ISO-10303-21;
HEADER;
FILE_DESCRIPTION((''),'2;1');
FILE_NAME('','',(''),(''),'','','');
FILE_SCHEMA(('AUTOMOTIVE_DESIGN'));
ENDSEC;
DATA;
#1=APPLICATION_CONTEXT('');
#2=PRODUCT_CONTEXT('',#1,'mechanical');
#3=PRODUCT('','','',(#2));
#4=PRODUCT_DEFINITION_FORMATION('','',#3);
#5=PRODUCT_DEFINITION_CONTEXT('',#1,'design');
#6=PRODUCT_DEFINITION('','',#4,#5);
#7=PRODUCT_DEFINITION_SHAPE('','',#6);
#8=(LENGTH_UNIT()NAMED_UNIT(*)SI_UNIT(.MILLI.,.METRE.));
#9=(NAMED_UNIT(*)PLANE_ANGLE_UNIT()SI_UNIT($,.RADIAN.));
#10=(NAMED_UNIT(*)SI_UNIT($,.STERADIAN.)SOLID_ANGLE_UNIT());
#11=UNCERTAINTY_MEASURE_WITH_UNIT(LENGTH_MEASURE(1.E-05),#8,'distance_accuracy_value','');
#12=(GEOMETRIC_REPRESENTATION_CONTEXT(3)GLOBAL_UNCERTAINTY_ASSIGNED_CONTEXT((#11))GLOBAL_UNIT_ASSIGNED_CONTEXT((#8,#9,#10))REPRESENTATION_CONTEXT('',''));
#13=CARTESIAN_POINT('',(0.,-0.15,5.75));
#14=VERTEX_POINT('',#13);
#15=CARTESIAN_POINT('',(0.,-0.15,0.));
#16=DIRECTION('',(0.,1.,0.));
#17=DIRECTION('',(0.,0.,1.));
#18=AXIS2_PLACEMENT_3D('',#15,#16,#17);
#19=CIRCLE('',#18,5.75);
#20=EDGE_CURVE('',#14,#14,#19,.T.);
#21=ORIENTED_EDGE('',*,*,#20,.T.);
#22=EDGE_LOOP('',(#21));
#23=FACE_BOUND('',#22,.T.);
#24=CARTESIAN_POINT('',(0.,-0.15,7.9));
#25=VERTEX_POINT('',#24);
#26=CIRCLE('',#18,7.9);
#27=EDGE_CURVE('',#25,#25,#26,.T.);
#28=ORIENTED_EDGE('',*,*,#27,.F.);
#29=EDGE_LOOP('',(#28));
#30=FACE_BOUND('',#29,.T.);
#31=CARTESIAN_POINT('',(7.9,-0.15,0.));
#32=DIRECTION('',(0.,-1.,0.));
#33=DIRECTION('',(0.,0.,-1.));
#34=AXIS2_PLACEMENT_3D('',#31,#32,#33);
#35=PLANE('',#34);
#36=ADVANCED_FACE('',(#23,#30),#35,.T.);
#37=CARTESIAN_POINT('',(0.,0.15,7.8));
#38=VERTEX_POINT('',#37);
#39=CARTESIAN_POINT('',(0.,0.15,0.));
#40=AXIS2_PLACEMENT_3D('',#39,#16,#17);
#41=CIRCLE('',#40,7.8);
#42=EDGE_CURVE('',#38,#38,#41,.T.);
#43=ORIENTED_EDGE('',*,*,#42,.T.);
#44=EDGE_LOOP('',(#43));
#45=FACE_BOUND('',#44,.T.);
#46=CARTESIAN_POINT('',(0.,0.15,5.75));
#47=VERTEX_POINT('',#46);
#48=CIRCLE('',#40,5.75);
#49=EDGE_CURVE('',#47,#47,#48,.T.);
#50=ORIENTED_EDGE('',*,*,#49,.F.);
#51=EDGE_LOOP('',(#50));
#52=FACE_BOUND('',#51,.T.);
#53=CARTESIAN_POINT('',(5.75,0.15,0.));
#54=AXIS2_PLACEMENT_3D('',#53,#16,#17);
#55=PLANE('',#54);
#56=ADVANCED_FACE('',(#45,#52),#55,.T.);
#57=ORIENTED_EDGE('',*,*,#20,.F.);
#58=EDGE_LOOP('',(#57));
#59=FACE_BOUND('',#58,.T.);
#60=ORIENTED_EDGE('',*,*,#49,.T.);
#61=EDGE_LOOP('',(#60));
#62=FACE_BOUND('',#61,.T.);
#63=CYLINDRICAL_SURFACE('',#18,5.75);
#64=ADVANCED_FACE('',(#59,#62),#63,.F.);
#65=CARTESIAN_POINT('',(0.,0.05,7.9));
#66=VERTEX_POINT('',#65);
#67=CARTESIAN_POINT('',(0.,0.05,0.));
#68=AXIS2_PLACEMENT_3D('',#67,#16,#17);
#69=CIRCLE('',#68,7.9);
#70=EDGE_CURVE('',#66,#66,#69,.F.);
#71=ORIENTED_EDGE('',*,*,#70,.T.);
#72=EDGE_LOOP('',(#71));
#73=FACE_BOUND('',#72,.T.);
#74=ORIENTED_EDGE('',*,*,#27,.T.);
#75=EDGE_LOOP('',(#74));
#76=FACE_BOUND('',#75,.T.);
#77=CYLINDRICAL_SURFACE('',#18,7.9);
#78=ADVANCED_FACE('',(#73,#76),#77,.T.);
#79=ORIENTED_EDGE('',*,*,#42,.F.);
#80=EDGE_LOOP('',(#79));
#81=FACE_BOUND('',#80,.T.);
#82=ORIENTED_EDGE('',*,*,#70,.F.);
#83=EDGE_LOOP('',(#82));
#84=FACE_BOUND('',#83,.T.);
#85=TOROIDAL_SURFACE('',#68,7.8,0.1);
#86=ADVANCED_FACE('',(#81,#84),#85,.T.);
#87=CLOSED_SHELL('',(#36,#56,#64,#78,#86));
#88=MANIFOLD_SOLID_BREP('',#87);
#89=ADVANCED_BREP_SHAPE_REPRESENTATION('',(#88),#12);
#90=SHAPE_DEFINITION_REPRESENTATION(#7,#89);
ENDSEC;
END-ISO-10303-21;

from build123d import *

# Parameters (mm, degrees)
SKETCH1_W = 2.15
SKETCH1_H = 0.3
FILLET1_R = 0.100000001


with BuildPart() as part:
    # Sketch1 → Revolve1 (revolve)
    with BuildSketch(Plane(origin=(0, 0, 0), x_dir=(-1, 0, 0), z_dir=(0, 0, -1)), mode=Mode.PRIVATE) as revolve1_sk:
        with Locations((-6.825, 0)):
            Rectangle(SKETCH1_W, SKETCH1_H)
    revolve(revolve1_sk.sketch.rotate(Axis((0, -0.15, 0), (0, 1, 0)), 270), axis=Axis((0, -0.15, 0), (0, 1, 0)))

    # Fillet1
    fillet1_edges = [part.edges().sort_by_distance(p)[0] for p in [
        (0, 0.15, -7.9),
    ]]
    fillet(fillet1_edges, radius=FILLET1_R)


solid = part.part
